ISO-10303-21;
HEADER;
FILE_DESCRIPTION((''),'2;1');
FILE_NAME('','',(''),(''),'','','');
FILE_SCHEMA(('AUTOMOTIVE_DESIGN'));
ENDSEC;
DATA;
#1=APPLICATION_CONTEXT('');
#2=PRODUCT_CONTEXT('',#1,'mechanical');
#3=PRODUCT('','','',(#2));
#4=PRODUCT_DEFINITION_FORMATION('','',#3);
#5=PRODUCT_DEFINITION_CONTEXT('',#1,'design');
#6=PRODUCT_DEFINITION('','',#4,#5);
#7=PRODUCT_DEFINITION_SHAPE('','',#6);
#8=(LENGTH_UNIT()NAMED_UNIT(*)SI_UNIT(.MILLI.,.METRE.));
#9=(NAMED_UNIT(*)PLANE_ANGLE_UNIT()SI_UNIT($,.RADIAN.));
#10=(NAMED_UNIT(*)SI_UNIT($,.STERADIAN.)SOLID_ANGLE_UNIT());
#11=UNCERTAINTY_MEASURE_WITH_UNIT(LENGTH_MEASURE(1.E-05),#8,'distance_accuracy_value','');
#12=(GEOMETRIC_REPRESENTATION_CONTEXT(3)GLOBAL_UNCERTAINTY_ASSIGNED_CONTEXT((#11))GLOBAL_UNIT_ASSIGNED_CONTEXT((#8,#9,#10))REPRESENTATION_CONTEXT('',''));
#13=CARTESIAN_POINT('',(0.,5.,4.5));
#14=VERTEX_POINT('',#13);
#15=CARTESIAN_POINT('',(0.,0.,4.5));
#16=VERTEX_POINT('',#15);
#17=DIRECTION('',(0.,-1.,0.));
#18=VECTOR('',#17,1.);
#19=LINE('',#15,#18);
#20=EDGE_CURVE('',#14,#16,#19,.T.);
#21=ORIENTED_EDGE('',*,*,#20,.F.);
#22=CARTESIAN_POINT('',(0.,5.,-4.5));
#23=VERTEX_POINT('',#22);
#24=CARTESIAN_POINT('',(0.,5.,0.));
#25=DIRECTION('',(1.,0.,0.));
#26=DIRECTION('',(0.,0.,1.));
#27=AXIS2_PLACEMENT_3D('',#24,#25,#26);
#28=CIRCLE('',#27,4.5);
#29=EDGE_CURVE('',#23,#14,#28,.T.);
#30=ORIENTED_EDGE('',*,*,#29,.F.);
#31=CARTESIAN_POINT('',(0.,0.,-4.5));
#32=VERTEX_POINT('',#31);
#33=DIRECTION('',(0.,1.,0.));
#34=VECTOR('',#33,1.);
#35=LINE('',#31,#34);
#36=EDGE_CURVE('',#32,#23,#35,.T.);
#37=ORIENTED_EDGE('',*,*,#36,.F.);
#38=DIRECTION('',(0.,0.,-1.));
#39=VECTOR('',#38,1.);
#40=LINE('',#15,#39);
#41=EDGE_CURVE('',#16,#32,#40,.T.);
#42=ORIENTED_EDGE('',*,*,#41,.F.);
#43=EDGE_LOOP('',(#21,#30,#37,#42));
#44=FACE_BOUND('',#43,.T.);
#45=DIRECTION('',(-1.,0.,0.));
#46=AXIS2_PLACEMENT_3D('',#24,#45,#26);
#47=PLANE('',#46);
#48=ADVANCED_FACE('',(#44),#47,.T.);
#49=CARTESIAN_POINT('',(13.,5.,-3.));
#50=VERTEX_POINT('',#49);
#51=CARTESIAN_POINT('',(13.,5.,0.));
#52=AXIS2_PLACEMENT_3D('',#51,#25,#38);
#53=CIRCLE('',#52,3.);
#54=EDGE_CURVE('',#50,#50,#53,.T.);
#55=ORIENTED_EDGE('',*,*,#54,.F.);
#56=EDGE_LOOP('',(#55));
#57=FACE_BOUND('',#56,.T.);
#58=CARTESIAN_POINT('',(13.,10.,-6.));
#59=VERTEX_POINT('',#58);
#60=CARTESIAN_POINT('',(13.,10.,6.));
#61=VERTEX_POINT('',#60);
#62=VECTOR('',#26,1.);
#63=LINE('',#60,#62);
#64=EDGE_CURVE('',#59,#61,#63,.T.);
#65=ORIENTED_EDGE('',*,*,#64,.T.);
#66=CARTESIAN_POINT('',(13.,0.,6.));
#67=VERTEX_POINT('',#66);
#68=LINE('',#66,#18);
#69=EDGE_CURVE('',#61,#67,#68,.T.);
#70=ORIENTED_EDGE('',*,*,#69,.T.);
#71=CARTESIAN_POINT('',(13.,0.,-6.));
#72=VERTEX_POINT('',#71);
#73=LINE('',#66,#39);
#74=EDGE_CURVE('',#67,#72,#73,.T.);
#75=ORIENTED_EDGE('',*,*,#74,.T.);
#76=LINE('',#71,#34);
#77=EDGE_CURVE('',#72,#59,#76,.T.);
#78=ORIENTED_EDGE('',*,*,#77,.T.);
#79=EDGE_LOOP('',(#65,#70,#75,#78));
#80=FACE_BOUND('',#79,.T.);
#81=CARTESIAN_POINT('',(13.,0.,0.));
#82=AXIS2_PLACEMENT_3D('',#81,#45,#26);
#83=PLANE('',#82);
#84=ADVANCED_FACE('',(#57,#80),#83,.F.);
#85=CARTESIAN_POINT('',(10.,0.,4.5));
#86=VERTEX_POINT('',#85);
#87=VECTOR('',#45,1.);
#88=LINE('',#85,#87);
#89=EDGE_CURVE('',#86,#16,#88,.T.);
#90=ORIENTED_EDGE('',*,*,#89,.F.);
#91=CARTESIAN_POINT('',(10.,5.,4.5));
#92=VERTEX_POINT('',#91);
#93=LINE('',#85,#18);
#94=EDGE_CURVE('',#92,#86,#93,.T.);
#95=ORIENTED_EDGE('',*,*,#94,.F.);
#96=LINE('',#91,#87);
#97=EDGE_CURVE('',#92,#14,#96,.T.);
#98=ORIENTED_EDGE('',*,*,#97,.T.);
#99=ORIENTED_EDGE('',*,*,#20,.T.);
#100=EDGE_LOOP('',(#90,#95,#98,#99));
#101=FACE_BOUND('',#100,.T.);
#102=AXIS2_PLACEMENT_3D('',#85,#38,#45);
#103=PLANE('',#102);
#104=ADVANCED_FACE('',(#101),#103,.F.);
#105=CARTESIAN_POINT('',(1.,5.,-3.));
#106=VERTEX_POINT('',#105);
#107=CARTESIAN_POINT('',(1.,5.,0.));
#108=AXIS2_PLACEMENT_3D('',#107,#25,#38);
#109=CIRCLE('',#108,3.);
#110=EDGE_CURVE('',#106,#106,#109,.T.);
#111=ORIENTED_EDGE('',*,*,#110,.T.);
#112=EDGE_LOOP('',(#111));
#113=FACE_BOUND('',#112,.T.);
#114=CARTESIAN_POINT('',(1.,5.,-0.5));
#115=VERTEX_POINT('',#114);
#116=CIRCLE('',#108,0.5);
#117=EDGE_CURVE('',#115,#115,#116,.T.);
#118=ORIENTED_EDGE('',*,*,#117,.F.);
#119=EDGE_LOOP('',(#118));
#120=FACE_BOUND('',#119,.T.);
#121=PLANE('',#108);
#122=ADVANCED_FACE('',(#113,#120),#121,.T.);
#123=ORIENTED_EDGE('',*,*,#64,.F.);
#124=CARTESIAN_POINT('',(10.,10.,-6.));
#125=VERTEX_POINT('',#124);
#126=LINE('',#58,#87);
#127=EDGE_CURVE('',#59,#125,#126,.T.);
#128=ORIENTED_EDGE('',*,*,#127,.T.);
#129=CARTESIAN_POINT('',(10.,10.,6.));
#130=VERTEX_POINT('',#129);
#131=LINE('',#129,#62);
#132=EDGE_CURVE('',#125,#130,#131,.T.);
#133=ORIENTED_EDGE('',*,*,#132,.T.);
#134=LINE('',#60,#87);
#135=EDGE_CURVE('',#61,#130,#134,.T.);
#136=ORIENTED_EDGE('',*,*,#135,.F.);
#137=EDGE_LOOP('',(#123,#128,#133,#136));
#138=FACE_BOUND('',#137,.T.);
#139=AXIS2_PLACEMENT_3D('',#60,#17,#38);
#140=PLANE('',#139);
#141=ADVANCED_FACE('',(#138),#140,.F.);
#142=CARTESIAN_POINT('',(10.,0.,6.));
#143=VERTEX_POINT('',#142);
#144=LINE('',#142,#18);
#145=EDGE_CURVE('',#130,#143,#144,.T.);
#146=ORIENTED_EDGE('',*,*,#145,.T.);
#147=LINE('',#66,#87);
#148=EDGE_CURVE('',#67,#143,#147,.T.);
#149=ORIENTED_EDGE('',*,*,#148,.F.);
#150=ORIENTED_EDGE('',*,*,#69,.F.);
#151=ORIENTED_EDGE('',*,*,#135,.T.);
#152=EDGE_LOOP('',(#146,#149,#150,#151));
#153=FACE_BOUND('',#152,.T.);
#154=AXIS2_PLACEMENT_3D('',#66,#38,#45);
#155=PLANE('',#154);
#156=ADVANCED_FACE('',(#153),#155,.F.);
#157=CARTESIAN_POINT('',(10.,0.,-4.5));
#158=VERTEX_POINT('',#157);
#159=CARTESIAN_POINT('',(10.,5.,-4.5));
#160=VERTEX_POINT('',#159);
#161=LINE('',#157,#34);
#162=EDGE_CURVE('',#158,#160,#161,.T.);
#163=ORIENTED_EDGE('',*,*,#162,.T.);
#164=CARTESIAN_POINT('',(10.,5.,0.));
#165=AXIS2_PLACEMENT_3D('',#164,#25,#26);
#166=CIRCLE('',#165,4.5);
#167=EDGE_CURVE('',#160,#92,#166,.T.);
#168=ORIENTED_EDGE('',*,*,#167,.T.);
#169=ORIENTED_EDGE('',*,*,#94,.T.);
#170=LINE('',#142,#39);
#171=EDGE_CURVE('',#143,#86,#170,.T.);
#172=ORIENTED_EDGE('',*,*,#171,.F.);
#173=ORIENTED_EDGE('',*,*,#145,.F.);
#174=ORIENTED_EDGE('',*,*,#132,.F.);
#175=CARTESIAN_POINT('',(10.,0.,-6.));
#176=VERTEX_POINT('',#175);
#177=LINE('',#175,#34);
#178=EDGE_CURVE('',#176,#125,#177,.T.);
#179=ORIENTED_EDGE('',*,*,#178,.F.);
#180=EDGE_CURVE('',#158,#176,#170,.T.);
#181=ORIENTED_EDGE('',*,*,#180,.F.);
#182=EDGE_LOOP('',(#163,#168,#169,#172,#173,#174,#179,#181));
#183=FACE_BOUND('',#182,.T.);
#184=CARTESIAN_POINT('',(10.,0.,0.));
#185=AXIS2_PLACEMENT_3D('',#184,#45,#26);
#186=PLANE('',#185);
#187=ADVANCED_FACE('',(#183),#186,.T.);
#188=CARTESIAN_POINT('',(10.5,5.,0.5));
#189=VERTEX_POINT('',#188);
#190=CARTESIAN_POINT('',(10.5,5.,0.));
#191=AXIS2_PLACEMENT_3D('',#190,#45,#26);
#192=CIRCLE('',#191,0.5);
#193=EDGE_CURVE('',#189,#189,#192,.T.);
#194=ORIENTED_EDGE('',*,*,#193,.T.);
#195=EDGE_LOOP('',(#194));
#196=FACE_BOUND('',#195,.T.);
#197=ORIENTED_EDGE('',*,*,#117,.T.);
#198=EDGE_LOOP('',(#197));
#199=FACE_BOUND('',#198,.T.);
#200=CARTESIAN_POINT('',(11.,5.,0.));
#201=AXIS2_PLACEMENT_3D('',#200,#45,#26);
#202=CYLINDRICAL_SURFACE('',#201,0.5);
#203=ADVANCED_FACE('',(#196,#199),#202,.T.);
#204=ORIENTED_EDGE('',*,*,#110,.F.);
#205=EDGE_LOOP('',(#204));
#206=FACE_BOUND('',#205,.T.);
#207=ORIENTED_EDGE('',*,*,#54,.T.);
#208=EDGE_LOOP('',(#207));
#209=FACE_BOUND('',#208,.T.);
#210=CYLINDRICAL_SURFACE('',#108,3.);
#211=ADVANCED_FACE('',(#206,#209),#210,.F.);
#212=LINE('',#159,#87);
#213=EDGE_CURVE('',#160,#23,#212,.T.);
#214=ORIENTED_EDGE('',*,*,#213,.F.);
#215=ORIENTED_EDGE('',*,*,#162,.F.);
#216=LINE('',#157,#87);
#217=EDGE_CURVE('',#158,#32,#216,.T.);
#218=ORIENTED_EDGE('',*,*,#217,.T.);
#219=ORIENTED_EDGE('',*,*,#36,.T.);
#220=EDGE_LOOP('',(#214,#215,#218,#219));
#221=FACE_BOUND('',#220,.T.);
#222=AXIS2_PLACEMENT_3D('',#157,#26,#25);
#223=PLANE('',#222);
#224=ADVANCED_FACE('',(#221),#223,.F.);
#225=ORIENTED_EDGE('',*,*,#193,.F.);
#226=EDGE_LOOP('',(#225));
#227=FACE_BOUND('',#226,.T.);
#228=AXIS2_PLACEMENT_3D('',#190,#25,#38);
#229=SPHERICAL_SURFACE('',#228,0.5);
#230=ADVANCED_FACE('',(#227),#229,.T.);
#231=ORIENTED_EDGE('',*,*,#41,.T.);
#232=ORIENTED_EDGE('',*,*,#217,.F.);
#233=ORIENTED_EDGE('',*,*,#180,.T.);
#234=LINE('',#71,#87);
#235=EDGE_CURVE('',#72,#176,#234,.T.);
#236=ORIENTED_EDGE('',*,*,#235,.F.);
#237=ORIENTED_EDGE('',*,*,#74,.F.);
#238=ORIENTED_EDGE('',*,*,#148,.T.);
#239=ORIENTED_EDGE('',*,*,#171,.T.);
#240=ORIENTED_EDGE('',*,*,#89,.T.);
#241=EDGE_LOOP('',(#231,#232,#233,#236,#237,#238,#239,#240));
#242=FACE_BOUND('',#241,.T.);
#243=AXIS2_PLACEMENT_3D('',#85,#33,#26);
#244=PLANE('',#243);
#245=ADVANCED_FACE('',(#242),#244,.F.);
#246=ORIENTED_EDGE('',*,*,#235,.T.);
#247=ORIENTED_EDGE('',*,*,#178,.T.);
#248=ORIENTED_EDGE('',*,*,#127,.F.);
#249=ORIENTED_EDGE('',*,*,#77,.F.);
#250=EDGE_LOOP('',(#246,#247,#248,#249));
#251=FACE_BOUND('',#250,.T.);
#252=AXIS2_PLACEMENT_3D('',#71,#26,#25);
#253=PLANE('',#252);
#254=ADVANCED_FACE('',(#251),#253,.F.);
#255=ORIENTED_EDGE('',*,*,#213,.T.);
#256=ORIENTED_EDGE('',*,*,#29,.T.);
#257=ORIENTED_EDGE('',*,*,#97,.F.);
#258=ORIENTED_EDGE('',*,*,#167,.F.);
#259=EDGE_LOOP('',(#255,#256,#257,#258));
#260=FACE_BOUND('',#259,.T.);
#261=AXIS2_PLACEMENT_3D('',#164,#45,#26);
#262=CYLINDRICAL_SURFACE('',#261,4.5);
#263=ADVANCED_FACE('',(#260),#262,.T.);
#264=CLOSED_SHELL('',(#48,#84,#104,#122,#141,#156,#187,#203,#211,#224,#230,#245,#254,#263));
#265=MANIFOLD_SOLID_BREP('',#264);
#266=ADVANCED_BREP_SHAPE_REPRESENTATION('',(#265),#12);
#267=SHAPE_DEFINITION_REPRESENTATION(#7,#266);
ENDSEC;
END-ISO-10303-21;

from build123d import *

# Parameters (mm, degrees)
BOSS_EXTRUDE1_DEPTH = 10
SKETCH2_W           = 12
SKETCH2_H           = 10
BOSS_EXTRUDE2_DEPTH = 3
SKETCH3_R           = 3
CUT_EXTRUDE1_DEPTH  = 12
SKETCH4_R           = 0.5
BOSS_EXTRUDE3_DEPTH = 10
FILLET1_R           = 0.5


with BuildPart() as part:
    # Sketch1 → Boss-Extrude1 (new body)
    with BuildSketch(Plane(origin=(0, 0, 0), x_dir=(0, 0, -1), z_dir=(1, 0, 0))):
        with BuildLine():
            Line((-4.5, 0), (4.5, 0))
            Line((4.5, 0), (4.5, 5))
            ThreePointArc((4.5, 5), (0, 9.5), (-4.5, 5))
            Line((-4.5, 5), (-4.5, 0))
        make_face()
    extrude(amount=BOSS_EXTRUDE1_DEPTH)

    # Sketch2 → Boss-Extrude2 (add)
    with BuildSketch(Plane(origin=(10, 0, 0), x_dir=(0, 0, -1), z_dir=(1, 0, 0))):
        with Locations((0, 5)):
            Rectangle(SKETCH2_W, SKETCH2_H)
    extrude(amount=BOSS_EXTRUDE2_DEPTH)

    # Sketch3 → Cut-Extrude1 (cut)
    with BuildSketch(Plane(origin=(13, 0, 0), x_dir=(0, 0, -1), z_dir=(1, 0, 0))):
        with Locations((0, 5)):
            Circle(SKETCH3_R)
    extrude(amount=-CUT_EXTRUDE1_DEPTH, mode=Mode.SUBTRACT)

    # Sketch4 → Boss-Extrude3 (add)
    with BuildSketch(Plane(origin=(1, 0, 0), x_dir=(0, 0, -1), z_dir=(1, 0, 0))):
        with Locations((0, 5)):
            Circle(SKETCH4_R)
    extrude(amount=BOSS_EXTRUDE3_DEPTH)

    # Fillet1
    fillet1_edges = [part.edges().sort_by_distance(p)[0] for p in [
        (11, 5, 0.5),
    ]]
    fillet(fillet1_edges, radius=FILLET1_R)


solid = part.part
